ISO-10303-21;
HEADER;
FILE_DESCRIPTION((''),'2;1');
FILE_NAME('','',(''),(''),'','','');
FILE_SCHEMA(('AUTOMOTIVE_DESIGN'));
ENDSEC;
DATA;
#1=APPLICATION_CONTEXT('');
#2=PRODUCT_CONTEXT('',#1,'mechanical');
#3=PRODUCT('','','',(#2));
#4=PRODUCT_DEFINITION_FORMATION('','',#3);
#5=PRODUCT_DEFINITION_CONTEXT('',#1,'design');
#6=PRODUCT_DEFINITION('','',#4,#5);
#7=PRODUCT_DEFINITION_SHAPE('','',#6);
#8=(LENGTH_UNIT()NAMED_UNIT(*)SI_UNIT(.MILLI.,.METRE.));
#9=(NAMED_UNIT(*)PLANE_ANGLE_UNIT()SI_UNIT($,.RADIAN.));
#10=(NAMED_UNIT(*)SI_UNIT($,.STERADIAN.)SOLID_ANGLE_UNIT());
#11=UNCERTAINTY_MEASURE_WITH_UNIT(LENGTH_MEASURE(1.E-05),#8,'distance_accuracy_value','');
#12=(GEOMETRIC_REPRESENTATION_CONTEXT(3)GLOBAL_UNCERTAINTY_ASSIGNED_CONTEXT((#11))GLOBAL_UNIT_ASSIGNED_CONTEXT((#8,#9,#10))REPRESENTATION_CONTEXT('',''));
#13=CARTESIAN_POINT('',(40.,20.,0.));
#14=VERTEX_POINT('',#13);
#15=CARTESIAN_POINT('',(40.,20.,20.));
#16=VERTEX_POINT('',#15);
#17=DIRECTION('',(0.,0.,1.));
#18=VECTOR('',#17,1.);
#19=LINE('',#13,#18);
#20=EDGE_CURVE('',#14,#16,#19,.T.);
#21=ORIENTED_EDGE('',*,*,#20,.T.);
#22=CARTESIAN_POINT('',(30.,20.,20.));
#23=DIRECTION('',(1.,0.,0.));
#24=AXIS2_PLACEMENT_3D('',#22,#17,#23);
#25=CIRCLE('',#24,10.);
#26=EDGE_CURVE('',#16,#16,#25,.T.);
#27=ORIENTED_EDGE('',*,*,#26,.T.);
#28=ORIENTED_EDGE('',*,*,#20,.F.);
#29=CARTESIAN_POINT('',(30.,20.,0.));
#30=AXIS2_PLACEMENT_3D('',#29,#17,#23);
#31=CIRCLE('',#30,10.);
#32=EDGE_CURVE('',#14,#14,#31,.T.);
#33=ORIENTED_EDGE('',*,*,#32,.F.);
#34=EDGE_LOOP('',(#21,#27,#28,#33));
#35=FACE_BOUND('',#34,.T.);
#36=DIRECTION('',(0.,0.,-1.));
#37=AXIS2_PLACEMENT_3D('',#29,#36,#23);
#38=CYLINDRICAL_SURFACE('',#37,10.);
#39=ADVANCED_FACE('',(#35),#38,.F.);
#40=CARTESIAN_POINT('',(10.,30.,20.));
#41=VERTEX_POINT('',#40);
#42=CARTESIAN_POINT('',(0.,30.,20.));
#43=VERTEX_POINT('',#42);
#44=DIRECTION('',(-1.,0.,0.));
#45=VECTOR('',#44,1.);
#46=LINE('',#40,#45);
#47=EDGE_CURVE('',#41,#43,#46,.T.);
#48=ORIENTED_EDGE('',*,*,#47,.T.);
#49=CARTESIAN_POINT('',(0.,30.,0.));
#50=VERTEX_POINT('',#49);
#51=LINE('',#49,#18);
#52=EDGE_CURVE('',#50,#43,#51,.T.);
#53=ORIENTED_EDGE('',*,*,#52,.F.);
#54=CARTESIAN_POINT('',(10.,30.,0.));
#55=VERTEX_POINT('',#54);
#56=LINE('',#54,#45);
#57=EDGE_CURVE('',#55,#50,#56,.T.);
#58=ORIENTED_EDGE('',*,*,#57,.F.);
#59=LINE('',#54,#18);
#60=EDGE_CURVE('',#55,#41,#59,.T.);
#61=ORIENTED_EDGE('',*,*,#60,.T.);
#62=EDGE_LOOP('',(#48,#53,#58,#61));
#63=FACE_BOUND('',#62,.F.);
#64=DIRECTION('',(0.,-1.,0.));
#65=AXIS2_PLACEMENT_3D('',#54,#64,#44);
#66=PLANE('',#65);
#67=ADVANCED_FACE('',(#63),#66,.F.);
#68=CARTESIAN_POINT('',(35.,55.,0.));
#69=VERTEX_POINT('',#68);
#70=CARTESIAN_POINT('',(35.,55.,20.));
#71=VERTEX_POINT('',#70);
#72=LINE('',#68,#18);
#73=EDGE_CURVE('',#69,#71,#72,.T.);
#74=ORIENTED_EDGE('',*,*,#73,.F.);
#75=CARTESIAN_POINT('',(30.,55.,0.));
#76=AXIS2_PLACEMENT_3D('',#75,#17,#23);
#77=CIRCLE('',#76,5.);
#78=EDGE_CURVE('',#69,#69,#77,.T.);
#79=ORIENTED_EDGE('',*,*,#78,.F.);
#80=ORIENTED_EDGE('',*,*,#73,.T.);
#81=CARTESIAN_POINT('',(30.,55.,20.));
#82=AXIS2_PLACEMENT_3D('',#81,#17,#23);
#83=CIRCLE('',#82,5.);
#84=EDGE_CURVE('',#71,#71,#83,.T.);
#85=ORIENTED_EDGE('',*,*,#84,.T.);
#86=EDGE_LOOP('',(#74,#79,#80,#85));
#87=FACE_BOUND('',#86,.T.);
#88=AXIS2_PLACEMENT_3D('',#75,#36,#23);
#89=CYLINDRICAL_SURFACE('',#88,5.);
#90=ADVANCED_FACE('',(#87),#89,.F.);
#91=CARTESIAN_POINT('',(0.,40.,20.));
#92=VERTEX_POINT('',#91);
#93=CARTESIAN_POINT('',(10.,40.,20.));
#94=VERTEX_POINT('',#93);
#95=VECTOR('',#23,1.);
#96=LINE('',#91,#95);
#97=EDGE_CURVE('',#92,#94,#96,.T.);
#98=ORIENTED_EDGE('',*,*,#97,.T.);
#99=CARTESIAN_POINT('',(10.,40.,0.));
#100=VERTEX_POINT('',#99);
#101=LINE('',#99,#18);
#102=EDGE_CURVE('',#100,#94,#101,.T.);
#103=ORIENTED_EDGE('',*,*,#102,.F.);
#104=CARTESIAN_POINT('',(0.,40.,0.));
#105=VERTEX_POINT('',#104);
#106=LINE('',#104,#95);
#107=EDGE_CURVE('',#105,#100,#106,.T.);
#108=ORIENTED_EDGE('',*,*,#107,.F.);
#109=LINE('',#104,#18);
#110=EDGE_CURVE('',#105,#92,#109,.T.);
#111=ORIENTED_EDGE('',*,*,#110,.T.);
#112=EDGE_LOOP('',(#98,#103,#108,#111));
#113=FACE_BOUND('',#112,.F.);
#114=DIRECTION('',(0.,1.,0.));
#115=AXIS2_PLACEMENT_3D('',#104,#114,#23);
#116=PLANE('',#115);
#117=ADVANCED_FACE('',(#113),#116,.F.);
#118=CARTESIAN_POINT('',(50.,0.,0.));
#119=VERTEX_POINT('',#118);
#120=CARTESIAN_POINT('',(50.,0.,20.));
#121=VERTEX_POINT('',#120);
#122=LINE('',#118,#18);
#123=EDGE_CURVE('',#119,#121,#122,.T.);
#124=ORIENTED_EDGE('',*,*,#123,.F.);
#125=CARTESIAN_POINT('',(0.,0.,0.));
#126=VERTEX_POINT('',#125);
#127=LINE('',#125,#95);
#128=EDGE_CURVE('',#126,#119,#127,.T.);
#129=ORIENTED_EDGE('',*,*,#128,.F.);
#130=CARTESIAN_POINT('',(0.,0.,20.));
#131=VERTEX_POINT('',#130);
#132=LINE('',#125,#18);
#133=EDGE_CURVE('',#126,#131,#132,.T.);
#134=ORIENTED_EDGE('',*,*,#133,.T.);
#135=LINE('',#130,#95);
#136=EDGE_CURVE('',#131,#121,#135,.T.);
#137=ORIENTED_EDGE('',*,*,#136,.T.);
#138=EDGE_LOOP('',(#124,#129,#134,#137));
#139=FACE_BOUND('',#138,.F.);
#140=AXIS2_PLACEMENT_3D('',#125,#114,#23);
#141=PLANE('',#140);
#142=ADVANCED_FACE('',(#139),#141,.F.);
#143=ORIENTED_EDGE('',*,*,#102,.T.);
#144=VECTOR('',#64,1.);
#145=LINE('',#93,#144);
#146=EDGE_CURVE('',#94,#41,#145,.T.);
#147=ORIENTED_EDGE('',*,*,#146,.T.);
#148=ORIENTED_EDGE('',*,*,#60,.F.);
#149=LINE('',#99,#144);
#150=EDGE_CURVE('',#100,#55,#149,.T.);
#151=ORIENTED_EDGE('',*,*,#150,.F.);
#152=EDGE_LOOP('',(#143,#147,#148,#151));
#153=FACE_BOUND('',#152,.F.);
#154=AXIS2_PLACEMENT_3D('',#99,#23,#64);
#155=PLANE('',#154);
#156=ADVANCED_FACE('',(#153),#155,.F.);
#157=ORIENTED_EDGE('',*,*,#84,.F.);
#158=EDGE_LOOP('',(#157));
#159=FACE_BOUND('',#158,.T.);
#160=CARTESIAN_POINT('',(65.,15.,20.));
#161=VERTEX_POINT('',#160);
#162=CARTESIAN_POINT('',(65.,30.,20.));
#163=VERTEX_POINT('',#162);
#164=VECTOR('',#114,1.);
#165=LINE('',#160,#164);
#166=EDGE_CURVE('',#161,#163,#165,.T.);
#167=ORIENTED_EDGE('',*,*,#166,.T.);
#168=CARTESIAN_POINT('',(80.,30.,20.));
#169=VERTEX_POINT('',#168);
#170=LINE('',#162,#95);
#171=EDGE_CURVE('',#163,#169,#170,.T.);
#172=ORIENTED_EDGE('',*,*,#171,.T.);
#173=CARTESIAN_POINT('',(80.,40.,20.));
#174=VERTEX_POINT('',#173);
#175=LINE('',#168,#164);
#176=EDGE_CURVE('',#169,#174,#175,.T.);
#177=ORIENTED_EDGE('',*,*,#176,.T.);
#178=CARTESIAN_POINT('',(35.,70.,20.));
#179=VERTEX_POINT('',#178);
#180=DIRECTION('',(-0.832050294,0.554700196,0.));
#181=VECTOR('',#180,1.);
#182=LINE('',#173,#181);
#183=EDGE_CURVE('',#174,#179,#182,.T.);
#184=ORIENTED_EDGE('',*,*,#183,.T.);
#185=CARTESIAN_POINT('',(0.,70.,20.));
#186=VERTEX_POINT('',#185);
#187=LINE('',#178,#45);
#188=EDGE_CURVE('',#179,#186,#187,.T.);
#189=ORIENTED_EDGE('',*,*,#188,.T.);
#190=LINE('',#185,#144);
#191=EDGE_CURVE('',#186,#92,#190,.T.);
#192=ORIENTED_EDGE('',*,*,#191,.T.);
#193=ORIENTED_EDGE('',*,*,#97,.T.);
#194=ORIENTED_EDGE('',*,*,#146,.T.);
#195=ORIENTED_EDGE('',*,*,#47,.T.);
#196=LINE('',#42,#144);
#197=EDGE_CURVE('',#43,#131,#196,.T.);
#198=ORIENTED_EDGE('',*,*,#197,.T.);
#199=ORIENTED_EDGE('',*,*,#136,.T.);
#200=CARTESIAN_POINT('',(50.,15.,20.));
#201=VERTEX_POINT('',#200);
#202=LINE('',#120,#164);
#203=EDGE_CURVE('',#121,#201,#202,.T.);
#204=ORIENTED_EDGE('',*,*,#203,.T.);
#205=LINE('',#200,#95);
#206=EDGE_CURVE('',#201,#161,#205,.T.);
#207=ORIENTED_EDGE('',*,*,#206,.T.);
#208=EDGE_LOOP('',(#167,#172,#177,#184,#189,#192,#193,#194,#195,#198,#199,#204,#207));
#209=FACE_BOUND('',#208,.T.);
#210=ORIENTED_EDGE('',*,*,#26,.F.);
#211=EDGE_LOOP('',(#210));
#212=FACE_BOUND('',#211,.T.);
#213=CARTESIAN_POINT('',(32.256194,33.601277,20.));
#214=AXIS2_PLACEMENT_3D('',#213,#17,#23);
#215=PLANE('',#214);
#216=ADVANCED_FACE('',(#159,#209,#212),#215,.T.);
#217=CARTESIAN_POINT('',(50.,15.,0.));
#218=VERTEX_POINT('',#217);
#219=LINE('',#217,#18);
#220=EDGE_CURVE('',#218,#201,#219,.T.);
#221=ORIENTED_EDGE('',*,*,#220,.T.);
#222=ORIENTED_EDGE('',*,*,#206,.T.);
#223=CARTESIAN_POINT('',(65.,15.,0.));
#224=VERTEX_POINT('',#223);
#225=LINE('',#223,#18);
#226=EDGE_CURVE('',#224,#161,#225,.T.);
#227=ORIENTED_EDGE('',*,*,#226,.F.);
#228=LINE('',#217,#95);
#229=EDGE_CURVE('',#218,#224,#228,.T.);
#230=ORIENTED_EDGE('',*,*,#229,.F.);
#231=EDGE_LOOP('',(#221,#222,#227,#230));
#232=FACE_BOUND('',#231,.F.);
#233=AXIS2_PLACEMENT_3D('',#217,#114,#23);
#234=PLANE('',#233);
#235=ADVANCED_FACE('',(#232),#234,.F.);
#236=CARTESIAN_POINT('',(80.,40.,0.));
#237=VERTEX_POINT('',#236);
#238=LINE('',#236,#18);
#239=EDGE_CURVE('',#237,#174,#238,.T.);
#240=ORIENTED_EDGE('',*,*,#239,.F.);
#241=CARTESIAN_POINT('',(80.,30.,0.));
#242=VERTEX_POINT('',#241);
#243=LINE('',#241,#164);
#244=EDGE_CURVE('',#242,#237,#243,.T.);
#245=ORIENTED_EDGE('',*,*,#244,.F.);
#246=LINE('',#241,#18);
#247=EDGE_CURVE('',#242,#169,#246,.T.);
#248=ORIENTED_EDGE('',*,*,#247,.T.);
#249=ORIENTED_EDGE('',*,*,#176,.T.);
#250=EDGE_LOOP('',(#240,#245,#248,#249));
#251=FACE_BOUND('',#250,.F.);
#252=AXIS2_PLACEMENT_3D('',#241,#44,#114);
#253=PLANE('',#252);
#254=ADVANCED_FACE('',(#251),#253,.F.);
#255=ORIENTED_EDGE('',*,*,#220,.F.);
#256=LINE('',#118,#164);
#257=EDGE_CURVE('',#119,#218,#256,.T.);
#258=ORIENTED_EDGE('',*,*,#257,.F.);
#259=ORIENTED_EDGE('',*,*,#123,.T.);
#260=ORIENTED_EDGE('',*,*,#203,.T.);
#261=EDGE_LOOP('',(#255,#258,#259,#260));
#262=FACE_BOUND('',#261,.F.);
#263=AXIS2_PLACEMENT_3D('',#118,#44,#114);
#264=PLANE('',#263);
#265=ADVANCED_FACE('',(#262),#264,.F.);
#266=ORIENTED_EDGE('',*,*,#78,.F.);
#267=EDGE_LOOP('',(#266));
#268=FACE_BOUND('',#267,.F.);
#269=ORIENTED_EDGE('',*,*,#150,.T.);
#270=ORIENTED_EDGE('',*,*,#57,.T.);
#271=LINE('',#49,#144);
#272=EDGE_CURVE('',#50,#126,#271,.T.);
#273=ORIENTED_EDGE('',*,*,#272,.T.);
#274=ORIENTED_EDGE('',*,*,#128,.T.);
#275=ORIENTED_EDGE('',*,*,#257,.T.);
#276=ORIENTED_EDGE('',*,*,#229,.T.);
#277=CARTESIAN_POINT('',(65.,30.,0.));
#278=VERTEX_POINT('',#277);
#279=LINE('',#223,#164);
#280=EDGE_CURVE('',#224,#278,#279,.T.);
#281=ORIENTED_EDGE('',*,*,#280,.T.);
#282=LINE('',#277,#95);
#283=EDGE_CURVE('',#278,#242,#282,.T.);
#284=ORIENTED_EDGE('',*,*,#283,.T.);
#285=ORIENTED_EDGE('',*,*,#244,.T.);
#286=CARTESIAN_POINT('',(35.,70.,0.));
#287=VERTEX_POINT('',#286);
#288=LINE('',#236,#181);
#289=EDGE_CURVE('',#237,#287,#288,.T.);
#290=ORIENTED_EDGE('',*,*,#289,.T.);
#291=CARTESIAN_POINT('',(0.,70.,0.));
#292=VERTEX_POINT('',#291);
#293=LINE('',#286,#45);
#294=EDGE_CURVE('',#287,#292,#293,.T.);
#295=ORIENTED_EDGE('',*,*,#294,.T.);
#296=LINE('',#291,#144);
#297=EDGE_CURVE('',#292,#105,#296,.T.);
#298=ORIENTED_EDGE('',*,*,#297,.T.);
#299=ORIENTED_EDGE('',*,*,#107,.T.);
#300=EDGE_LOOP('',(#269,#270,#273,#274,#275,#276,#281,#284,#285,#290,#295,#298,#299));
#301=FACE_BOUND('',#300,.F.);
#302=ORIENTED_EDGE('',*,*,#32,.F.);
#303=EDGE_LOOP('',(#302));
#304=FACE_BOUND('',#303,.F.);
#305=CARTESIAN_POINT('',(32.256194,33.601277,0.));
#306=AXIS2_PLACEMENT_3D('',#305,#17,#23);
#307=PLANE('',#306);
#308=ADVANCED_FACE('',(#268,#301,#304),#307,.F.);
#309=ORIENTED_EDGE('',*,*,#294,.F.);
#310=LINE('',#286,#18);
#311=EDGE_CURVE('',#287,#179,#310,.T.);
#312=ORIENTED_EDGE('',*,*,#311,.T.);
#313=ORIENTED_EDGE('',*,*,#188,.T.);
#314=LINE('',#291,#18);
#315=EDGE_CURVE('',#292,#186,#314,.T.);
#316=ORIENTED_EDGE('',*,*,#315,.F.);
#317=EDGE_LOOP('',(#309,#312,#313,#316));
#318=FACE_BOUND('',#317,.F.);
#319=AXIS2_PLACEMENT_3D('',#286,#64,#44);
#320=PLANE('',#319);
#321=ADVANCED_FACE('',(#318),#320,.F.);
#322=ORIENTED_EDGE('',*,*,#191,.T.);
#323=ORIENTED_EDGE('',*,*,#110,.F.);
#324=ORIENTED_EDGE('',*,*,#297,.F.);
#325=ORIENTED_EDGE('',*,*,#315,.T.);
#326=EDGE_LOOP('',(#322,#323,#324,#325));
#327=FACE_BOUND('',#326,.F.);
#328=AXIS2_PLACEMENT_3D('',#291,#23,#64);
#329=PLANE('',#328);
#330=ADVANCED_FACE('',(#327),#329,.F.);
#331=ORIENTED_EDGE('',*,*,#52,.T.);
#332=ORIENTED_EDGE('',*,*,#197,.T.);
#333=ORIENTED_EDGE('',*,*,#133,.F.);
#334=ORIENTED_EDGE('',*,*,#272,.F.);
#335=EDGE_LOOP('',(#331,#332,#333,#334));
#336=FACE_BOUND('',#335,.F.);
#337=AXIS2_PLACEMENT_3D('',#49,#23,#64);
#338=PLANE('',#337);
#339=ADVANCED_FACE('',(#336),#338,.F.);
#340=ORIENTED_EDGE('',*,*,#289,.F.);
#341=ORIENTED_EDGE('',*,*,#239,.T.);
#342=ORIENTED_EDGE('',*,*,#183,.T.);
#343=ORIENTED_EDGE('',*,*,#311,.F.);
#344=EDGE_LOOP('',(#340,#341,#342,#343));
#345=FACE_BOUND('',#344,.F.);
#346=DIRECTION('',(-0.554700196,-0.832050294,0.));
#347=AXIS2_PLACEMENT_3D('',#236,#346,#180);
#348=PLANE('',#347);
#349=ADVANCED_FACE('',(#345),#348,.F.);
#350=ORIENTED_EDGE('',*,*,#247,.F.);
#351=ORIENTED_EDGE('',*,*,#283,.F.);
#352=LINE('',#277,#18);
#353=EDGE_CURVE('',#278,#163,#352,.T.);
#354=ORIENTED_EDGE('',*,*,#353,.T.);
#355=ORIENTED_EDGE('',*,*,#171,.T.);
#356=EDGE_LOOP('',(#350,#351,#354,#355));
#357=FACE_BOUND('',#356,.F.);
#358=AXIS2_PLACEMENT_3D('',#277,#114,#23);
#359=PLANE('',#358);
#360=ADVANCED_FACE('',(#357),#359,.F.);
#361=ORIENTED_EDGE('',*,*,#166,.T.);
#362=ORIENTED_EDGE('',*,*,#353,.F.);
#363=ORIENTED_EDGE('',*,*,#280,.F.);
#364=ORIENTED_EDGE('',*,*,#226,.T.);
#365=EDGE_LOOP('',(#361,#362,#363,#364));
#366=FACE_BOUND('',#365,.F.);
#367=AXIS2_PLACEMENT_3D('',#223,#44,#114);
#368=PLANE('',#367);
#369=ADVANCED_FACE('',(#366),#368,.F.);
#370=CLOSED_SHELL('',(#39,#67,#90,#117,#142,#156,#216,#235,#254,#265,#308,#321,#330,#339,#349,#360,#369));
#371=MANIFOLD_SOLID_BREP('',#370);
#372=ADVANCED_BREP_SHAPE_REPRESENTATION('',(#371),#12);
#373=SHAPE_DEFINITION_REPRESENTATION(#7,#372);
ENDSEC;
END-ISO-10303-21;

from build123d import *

# Parameters (mm, degrees)
F0_R     = 10
F0_R_2   = 5
F1_DEPTH = 20


with BuildPart() as f1:
    # F0 (on Top) → F1 (new body)
    with BuildSketch(Plane.XY):
        Polygon((0, 30), (0, 0), (50, 0), (50, 15), (65, 15), (65, 30), (80, 30), (80, 40), (35, 70), (0, 70), (0, 40), (10, 40), (10, 30), align=None)
        with Locations((30, 20)):
            Circle(F0_R, mode=Mode.SUBTRACT)
        with Locations((30, 55)):
            Circle(F0_R_2, mode=Mode.SUBTRACT)
    extrude(amount=F1_DEPTH)


solid = f1.part
